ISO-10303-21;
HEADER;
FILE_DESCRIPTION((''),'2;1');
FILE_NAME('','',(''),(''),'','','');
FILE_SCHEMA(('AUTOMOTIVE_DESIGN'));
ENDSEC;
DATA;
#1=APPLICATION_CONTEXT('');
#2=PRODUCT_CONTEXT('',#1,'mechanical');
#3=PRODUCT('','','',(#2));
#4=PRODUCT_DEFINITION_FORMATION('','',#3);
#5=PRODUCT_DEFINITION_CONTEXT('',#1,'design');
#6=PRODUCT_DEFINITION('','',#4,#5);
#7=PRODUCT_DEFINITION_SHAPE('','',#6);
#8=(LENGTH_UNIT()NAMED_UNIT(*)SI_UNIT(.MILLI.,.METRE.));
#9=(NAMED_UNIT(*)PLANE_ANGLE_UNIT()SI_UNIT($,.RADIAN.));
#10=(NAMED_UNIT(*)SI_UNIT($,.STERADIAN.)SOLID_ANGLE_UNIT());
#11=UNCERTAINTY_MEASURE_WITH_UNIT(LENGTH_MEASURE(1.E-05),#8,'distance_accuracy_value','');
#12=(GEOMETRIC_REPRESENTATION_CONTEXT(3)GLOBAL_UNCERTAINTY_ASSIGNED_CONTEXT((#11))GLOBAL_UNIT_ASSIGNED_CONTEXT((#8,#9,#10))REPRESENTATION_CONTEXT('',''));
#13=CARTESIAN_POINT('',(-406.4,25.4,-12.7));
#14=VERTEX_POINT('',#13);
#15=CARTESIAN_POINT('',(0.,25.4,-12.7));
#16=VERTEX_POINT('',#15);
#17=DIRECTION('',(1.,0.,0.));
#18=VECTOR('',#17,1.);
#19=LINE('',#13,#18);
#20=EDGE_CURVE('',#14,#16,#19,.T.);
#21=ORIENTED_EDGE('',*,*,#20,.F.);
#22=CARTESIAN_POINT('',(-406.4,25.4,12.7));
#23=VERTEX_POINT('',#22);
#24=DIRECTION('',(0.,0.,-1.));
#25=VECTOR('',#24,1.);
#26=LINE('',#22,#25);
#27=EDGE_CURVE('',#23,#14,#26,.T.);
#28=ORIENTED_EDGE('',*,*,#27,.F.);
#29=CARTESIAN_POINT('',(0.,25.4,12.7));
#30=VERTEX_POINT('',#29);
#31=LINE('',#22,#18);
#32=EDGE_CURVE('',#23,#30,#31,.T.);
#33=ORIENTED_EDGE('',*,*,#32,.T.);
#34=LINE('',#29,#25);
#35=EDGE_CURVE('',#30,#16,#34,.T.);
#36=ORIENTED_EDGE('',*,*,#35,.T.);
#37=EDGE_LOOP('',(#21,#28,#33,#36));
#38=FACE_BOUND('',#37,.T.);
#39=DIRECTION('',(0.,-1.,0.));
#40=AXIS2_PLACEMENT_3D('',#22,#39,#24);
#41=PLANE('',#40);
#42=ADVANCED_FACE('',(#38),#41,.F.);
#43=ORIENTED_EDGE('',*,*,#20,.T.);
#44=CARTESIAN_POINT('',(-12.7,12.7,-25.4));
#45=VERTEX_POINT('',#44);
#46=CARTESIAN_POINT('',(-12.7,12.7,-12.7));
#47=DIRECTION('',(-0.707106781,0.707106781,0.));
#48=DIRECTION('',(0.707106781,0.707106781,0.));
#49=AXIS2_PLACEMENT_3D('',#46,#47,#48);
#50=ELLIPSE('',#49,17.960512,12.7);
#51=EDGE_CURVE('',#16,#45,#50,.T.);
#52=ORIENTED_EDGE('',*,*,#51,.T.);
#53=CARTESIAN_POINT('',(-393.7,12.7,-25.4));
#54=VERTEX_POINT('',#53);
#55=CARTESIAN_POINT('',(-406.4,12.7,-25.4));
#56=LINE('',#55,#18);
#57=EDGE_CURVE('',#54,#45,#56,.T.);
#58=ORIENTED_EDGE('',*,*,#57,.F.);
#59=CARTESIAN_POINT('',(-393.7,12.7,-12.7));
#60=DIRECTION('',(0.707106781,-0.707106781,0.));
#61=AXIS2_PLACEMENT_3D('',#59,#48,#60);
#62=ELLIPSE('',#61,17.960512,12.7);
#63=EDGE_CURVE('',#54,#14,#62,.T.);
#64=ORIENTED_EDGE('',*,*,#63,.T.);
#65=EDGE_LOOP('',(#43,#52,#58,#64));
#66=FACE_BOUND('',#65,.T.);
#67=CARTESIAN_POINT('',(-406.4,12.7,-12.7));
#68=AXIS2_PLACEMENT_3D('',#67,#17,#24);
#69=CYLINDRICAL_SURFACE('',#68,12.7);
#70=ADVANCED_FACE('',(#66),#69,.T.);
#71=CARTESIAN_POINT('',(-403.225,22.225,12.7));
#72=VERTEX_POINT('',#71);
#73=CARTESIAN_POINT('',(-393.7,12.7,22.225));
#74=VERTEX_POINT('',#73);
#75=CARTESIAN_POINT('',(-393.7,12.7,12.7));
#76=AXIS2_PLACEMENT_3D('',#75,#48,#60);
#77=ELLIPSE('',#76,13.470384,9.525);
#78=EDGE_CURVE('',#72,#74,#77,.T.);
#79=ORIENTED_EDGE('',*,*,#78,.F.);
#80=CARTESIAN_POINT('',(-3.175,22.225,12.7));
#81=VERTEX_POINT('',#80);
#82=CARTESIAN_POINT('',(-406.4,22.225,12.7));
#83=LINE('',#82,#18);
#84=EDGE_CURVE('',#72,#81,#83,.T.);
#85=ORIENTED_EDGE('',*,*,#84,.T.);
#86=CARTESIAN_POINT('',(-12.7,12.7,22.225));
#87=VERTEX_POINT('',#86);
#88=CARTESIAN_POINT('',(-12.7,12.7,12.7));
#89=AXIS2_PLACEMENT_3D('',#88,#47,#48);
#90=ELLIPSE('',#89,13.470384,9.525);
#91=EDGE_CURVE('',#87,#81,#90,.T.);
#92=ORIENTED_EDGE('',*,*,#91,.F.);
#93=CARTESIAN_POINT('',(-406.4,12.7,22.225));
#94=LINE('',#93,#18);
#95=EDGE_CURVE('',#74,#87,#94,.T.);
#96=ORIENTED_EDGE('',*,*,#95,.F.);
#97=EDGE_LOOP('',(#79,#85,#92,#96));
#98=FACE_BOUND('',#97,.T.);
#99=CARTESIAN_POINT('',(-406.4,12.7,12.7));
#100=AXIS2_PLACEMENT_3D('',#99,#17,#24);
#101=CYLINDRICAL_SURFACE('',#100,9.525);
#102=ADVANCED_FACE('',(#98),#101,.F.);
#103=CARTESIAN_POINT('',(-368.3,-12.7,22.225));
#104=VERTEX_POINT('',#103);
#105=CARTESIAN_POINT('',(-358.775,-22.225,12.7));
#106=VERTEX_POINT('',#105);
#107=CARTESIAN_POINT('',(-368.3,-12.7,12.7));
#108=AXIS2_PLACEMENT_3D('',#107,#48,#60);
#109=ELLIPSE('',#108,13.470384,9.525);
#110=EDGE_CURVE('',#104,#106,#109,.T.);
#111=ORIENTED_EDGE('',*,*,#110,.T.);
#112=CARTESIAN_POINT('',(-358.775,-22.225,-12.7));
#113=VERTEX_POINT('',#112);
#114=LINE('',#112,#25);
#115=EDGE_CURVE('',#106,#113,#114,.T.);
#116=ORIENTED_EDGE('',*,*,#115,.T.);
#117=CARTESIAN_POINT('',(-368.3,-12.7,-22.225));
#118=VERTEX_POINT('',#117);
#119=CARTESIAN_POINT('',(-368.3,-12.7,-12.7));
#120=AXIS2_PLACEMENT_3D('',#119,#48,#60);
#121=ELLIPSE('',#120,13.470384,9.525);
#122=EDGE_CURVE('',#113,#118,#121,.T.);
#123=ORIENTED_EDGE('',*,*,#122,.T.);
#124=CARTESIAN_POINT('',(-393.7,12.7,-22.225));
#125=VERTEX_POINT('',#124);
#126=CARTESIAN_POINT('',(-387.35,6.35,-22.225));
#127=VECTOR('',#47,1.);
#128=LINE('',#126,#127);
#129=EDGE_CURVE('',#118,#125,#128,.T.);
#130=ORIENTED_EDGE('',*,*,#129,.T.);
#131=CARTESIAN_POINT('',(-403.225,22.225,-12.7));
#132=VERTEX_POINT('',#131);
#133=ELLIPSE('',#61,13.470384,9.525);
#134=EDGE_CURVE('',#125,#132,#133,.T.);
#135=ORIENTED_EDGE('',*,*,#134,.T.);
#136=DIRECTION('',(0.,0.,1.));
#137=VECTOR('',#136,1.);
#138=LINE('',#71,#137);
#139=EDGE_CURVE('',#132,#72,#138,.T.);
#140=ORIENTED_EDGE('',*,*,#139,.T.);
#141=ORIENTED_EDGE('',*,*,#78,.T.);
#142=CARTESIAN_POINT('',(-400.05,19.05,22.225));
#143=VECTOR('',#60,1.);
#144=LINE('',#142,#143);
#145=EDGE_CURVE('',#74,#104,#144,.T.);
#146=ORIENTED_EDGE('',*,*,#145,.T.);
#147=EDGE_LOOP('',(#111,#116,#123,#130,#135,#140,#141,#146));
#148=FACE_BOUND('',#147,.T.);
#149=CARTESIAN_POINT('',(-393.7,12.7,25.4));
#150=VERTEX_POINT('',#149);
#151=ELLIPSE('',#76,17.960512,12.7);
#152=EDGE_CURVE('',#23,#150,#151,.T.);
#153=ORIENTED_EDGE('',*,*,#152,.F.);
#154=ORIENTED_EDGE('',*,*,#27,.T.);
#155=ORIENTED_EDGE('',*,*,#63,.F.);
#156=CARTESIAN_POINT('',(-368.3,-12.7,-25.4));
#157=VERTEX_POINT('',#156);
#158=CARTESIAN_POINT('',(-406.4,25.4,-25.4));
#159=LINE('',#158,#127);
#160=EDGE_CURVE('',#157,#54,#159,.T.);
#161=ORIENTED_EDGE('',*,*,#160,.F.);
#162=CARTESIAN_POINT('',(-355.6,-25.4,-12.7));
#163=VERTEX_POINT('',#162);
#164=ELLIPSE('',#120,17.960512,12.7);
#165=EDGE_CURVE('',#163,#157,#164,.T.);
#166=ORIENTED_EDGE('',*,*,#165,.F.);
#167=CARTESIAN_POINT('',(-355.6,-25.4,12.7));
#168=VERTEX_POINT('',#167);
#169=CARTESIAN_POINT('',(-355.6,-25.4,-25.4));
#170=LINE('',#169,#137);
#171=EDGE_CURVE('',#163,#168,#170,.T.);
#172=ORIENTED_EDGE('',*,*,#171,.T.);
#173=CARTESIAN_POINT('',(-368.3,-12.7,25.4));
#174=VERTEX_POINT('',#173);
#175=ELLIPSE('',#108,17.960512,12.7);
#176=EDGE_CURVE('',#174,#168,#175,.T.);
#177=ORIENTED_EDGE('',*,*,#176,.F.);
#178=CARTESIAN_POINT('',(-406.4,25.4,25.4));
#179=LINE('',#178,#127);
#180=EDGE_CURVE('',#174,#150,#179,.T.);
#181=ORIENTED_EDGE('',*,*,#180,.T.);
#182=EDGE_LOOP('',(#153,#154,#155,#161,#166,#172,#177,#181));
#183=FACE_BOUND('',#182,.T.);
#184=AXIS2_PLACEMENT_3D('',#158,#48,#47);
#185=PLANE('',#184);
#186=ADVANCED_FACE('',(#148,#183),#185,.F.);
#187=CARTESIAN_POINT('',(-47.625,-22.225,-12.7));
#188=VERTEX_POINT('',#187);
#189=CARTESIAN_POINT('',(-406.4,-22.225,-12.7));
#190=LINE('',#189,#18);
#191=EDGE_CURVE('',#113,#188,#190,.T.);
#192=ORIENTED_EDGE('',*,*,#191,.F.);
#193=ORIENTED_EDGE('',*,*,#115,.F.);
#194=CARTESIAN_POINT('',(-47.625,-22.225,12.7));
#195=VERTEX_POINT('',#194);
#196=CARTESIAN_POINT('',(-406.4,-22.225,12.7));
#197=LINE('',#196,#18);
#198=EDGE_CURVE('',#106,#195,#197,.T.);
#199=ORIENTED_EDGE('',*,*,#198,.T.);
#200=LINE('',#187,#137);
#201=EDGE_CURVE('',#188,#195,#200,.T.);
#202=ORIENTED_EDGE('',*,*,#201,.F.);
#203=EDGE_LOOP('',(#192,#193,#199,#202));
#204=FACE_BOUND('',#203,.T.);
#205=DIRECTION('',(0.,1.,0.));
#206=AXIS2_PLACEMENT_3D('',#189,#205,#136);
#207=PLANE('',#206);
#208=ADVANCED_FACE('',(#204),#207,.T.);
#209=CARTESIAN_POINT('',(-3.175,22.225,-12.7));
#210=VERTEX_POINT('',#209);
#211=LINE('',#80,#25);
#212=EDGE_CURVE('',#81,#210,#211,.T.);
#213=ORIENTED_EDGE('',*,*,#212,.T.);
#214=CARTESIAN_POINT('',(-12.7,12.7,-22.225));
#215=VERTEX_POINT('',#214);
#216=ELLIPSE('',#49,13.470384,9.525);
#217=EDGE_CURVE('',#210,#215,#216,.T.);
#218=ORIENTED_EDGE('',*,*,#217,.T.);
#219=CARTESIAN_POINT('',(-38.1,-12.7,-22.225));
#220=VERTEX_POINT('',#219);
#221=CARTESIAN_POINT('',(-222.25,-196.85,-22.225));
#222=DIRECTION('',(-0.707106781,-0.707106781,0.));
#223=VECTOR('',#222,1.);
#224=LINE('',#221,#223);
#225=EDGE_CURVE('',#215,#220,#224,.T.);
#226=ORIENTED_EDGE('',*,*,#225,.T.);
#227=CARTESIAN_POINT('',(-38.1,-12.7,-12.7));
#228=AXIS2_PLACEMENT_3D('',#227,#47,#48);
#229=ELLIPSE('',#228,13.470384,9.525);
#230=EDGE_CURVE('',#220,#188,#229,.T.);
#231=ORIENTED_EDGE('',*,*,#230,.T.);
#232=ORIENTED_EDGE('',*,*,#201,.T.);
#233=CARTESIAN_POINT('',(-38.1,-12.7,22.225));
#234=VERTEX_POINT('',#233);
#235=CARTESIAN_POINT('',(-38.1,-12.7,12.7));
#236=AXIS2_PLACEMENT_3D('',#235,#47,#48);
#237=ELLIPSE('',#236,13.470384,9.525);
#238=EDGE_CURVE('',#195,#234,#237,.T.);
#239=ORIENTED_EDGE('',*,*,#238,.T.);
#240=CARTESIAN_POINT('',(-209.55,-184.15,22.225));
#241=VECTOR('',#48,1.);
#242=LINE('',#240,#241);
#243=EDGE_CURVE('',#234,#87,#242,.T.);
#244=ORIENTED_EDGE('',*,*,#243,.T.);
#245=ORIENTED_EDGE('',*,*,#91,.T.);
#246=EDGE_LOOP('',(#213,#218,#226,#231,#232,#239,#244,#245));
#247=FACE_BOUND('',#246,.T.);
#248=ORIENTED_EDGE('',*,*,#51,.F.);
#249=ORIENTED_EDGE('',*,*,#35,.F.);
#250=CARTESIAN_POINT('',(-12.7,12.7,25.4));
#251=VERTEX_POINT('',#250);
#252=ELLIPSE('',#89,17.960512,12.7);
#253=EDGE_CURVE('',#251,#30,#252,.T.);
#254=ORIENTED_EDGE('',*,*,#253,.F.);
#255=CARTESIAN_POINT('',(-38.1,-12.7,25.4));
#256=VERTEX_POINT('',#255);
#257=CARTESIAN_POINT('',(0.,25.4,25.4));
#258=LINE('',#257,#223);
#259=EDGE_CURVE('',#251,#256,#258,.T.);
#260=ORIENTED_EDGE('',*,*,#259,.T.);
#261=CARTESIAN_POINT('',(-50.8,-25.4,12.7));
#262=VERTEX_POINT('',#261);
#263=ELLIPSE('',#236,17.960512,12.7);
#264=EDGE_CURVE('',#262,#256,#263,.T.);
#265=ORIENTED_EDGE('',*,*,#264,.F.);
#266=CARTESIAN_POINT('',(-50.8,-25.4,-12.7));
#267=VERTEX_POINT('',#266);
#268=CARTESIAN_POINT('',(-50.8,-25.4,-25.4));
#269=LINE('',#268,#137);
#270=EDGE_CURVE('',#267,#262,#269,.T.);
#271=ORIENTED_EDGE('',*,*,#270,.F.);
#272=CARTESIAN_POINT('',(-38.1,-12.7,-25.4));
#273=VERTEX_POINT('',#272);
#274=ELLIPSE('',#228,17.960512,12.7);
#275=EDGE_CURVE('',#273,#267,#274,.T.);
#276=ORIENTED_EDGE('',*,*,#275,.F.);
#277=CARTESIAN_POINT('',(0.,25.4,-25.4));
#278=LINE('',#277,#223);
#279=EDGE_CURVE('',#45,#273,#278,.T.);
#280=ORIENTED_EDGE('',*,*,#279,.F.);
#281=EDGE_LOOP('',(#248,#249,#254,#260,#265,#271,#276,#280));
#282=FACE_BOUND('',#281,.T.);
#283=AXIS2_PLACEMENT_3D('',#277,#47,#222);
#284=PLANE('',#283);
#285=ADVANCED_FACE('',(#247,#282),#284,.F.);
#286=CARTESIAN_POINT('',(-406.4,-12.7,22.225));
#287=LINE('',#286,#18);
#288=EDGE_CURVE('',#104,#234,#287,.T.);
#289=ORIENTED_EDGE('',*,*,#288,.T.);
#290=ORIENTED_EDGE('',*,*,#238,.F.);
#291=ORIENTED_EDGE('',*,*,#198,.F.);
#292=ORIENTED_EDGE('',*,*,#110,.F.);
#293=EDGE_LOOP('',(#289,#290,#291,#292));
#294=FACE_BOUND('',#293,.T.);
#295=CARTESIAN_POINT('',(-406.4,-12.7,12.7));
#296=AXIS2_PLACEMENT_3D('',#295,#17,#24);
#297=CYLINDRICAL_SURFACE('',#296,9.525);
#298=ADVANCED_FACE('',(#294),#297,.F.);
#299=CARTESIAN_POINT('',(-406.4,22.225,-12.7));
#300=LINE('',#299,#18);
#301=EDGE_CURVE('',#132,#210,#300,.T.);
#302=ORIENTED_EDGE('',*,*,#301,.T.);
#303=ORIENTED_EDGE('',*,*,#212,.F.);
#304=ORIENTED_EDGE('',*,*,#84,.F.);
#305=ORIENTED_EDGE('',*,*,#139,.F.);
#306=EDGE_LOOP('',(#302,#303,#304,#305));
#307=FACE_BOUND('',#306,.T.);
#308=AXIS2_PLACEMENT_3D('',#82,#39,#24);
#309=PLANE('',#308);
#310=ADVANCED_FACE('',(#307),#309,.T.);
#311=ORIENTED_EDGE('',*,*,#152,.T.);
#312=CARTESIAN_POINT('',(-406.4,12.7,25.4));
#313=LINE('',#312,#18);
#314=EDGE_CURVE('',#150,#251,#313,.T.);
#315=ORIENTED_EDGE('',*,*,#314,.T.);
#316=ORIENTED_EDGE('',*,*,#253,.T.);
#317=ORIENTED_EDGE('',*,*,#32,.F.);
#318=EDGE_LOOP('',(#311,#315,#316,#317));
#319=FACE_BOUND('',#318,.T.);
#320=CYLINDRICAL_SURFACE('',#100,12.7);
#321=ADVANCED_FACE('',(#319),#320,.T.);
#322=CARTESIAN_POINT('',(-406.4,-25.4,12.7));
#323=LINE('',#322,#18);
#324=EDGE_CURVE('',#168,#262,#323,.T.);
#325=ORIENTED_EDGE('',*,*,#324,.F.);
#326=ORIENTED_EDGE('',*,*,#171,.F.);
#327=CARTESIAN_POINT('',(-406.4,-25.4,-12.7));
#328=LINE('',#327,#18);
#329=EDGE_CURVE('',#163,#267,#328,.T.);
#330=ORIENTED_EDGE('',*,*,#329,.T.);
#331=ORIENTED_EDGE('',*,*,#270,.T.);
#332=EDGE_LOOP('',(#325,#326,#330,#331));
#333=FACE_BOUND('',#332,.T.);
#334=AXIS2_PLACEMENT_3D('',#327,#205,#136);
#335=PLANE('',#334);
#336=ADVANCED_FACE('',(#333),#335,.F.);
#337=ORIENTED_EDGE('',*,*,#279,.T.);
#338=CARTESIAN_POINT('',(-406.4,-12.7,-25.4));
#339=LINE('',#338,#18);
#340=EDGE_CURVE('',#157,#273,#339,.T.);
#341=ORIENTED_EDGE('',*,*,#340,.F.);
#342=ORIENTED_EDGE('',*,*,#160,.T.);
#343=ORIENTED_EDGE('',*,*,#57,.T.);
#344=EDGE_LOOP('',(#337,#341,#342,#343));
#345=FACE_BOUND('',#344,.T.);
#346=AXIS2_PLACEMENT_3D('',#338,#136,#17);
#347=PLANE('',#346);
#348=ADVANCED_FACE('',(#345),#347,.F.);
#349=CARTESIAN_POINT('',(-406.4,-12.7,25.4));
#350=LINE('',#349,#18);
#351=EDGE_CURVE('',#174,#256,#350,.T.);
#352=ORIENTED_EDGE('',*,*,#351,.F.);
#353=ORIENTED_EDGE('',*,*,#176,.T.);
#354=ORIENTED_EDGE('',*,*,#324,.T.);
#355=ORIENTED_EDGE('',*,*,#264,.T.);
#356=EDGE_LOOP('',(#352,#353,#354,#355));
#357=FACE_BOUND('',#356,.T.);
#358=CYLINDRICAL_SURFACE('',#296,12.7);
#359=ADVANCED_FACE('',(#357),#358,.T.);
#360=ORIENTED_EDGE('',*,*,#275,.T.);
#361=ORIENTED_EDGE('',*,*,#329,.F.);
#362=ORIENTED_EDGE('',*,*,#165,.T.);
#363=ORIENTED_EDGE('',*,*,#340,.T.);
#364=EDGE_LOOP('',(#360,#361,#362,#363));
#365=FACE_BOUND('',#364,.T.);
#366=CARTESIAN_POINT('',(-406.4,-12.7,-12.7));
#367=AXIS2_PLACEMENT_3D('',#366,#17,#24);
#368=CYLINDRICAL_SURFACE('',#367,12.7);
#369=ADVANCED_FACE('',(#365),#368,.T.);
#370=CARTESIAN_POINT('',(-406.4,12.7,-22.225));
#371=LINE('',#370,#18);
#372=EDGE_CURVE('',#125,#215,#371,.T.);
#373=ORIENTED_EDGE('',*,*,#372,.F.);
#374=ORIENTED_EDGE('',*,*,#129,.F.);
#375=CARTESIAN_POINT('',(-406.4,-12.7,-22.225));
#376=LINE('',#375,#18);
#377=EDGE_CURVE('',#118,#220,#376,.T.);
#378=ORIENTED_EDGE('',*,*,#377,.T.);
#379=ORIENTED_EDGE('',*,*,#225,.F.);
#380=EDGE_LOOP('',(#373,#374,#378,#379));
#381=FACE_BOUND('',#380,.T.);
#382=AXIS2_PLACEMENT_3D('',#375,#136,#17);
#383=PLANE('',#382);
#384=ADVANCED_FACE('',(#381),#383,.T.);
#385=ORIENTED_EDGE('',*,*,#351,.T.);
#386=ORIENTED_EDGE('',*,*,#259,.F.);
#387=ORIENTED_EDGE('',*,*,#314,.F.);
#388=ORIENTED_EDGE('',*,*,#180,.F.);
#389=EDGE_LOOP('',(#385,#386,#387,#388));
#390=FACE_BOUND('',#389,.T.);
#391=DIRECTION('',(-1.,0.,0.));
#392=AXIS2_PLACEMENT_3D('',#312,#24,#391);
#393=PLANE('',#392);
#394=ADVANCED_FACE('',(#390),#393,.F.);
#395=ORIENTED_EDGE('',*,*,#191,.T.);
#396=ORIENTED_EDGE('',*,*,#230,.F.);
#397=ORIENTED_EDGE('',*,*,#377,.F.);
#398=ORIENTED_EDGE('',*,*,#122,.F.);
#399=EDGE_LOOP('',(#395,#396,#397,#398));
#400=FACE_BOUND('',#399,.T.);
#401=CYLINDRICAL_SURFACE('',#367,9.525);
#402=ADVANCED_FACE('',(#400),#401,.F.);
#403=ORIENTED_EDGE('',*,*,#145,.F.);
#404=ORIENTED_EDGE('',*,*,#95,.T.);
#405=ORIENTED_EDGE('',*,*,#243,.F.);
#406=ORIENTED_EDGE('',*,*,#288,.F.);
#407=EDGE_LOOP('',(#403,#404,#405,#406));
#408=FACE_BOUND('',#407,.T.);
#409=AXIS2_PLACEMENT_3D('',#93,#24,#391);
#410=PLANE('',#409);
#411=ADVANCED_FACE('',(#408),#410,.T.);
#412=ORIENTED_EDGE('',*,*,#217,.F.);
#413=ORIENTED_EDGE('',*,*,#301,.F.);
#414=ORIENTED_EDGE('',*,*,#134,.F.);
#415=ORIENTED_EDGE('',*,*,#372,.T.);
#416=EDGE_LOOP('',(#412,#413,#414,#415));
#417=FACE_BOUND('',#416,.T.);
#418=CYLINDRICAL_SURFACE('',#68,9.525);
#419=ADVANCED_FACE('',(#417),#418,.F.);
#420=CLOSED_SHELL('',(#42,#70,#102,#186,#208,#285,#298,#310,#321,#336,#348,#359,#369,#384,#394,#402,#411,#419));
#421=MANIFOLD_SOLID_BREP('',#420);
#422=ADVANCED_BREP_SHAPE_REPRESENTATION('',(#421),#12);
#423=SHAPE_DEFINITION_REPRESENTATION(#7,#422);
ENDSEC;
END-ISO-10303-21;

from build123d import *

# Parameters (mm, degrees)
STRUCTURAL_MEMBER1_DEPTH = 406.4
CUT_EXTRUDE1_DEPTH       = 411.349558304


with BuildPart() as part:
    # Sketch11 → Structural Member1 (new body)
    with BuildSketch(Plane.ZY):
        with BuildLine():
            Line((-12.7, -25.4), (12.7, -25.4))
            ThreePointArc((12.7, -25.4), (21.680256121, -21.680256121), (25.4, -12.7))
            Line((25.4, -12.7), (25.4, 12.7))
            ThreePointArc((25.4, 12.7), (21.680256121, 21.680256121), (12.7, 25.4))
            Line((12.7, 25.4), (-12.7, 25.4))
            ThreePointArc((-12.7, 25.4), (-21.680256121, 21.680256121), (-25.4, 12.7))
            Line((-25.4, 12.7), (-25.4, -12.7))
            ThreePointArc((-25.4, -12.7), (-21.680256121, -21.680256121), (-12.7, -25.4))
        make_face()
        with BuildLine():
            Line((-12.7, -22.225), (12.7, -22.225))
            ThreePointArc((12.7, -22.225), (19.435192091, -19.435192091), (22.225, -12.7))
            Line((22.225, -12.7), (22.225, 12.7))
            ThreePointArc((22.225, 12.7), (19.435192091, 19.435192091), (12.7, 22.225))
            Line((12.7, 22.225), (-12.7, 22.225))
            ThreePointArc((-12.7, 22.225), (-19.435192091, 19.435192091), (-22.225, 12.7))
            Line((-22.225, 12.7), (-22.225, -12.7))
            ThreePointArc((-22.225, -12.7), (-19.435192091, -19.435192091), (-12.7, -22.225))
        make_face(mode=Mode.SUBTRACT)
    extrude(amount=STRUCTURAL_MEMBER1_DEPTH)

    # Sketch2 → Cut-Extrude1 (cut, through all)
    with BuildSketch(Plane.XY.offset(25.4)):
        Polygon((-406.4, 25.4), (-355.6, -25.4), (-406.4, -25.4), align=None)
        Polygon((0, 25.4), (-50.8, -25.4), (0, -25.4), align=None)
    extrude(amount=-CUT_EXTRUDE1_DEPTH, mode=Mode.SUBTRACT)


solid = part.part
